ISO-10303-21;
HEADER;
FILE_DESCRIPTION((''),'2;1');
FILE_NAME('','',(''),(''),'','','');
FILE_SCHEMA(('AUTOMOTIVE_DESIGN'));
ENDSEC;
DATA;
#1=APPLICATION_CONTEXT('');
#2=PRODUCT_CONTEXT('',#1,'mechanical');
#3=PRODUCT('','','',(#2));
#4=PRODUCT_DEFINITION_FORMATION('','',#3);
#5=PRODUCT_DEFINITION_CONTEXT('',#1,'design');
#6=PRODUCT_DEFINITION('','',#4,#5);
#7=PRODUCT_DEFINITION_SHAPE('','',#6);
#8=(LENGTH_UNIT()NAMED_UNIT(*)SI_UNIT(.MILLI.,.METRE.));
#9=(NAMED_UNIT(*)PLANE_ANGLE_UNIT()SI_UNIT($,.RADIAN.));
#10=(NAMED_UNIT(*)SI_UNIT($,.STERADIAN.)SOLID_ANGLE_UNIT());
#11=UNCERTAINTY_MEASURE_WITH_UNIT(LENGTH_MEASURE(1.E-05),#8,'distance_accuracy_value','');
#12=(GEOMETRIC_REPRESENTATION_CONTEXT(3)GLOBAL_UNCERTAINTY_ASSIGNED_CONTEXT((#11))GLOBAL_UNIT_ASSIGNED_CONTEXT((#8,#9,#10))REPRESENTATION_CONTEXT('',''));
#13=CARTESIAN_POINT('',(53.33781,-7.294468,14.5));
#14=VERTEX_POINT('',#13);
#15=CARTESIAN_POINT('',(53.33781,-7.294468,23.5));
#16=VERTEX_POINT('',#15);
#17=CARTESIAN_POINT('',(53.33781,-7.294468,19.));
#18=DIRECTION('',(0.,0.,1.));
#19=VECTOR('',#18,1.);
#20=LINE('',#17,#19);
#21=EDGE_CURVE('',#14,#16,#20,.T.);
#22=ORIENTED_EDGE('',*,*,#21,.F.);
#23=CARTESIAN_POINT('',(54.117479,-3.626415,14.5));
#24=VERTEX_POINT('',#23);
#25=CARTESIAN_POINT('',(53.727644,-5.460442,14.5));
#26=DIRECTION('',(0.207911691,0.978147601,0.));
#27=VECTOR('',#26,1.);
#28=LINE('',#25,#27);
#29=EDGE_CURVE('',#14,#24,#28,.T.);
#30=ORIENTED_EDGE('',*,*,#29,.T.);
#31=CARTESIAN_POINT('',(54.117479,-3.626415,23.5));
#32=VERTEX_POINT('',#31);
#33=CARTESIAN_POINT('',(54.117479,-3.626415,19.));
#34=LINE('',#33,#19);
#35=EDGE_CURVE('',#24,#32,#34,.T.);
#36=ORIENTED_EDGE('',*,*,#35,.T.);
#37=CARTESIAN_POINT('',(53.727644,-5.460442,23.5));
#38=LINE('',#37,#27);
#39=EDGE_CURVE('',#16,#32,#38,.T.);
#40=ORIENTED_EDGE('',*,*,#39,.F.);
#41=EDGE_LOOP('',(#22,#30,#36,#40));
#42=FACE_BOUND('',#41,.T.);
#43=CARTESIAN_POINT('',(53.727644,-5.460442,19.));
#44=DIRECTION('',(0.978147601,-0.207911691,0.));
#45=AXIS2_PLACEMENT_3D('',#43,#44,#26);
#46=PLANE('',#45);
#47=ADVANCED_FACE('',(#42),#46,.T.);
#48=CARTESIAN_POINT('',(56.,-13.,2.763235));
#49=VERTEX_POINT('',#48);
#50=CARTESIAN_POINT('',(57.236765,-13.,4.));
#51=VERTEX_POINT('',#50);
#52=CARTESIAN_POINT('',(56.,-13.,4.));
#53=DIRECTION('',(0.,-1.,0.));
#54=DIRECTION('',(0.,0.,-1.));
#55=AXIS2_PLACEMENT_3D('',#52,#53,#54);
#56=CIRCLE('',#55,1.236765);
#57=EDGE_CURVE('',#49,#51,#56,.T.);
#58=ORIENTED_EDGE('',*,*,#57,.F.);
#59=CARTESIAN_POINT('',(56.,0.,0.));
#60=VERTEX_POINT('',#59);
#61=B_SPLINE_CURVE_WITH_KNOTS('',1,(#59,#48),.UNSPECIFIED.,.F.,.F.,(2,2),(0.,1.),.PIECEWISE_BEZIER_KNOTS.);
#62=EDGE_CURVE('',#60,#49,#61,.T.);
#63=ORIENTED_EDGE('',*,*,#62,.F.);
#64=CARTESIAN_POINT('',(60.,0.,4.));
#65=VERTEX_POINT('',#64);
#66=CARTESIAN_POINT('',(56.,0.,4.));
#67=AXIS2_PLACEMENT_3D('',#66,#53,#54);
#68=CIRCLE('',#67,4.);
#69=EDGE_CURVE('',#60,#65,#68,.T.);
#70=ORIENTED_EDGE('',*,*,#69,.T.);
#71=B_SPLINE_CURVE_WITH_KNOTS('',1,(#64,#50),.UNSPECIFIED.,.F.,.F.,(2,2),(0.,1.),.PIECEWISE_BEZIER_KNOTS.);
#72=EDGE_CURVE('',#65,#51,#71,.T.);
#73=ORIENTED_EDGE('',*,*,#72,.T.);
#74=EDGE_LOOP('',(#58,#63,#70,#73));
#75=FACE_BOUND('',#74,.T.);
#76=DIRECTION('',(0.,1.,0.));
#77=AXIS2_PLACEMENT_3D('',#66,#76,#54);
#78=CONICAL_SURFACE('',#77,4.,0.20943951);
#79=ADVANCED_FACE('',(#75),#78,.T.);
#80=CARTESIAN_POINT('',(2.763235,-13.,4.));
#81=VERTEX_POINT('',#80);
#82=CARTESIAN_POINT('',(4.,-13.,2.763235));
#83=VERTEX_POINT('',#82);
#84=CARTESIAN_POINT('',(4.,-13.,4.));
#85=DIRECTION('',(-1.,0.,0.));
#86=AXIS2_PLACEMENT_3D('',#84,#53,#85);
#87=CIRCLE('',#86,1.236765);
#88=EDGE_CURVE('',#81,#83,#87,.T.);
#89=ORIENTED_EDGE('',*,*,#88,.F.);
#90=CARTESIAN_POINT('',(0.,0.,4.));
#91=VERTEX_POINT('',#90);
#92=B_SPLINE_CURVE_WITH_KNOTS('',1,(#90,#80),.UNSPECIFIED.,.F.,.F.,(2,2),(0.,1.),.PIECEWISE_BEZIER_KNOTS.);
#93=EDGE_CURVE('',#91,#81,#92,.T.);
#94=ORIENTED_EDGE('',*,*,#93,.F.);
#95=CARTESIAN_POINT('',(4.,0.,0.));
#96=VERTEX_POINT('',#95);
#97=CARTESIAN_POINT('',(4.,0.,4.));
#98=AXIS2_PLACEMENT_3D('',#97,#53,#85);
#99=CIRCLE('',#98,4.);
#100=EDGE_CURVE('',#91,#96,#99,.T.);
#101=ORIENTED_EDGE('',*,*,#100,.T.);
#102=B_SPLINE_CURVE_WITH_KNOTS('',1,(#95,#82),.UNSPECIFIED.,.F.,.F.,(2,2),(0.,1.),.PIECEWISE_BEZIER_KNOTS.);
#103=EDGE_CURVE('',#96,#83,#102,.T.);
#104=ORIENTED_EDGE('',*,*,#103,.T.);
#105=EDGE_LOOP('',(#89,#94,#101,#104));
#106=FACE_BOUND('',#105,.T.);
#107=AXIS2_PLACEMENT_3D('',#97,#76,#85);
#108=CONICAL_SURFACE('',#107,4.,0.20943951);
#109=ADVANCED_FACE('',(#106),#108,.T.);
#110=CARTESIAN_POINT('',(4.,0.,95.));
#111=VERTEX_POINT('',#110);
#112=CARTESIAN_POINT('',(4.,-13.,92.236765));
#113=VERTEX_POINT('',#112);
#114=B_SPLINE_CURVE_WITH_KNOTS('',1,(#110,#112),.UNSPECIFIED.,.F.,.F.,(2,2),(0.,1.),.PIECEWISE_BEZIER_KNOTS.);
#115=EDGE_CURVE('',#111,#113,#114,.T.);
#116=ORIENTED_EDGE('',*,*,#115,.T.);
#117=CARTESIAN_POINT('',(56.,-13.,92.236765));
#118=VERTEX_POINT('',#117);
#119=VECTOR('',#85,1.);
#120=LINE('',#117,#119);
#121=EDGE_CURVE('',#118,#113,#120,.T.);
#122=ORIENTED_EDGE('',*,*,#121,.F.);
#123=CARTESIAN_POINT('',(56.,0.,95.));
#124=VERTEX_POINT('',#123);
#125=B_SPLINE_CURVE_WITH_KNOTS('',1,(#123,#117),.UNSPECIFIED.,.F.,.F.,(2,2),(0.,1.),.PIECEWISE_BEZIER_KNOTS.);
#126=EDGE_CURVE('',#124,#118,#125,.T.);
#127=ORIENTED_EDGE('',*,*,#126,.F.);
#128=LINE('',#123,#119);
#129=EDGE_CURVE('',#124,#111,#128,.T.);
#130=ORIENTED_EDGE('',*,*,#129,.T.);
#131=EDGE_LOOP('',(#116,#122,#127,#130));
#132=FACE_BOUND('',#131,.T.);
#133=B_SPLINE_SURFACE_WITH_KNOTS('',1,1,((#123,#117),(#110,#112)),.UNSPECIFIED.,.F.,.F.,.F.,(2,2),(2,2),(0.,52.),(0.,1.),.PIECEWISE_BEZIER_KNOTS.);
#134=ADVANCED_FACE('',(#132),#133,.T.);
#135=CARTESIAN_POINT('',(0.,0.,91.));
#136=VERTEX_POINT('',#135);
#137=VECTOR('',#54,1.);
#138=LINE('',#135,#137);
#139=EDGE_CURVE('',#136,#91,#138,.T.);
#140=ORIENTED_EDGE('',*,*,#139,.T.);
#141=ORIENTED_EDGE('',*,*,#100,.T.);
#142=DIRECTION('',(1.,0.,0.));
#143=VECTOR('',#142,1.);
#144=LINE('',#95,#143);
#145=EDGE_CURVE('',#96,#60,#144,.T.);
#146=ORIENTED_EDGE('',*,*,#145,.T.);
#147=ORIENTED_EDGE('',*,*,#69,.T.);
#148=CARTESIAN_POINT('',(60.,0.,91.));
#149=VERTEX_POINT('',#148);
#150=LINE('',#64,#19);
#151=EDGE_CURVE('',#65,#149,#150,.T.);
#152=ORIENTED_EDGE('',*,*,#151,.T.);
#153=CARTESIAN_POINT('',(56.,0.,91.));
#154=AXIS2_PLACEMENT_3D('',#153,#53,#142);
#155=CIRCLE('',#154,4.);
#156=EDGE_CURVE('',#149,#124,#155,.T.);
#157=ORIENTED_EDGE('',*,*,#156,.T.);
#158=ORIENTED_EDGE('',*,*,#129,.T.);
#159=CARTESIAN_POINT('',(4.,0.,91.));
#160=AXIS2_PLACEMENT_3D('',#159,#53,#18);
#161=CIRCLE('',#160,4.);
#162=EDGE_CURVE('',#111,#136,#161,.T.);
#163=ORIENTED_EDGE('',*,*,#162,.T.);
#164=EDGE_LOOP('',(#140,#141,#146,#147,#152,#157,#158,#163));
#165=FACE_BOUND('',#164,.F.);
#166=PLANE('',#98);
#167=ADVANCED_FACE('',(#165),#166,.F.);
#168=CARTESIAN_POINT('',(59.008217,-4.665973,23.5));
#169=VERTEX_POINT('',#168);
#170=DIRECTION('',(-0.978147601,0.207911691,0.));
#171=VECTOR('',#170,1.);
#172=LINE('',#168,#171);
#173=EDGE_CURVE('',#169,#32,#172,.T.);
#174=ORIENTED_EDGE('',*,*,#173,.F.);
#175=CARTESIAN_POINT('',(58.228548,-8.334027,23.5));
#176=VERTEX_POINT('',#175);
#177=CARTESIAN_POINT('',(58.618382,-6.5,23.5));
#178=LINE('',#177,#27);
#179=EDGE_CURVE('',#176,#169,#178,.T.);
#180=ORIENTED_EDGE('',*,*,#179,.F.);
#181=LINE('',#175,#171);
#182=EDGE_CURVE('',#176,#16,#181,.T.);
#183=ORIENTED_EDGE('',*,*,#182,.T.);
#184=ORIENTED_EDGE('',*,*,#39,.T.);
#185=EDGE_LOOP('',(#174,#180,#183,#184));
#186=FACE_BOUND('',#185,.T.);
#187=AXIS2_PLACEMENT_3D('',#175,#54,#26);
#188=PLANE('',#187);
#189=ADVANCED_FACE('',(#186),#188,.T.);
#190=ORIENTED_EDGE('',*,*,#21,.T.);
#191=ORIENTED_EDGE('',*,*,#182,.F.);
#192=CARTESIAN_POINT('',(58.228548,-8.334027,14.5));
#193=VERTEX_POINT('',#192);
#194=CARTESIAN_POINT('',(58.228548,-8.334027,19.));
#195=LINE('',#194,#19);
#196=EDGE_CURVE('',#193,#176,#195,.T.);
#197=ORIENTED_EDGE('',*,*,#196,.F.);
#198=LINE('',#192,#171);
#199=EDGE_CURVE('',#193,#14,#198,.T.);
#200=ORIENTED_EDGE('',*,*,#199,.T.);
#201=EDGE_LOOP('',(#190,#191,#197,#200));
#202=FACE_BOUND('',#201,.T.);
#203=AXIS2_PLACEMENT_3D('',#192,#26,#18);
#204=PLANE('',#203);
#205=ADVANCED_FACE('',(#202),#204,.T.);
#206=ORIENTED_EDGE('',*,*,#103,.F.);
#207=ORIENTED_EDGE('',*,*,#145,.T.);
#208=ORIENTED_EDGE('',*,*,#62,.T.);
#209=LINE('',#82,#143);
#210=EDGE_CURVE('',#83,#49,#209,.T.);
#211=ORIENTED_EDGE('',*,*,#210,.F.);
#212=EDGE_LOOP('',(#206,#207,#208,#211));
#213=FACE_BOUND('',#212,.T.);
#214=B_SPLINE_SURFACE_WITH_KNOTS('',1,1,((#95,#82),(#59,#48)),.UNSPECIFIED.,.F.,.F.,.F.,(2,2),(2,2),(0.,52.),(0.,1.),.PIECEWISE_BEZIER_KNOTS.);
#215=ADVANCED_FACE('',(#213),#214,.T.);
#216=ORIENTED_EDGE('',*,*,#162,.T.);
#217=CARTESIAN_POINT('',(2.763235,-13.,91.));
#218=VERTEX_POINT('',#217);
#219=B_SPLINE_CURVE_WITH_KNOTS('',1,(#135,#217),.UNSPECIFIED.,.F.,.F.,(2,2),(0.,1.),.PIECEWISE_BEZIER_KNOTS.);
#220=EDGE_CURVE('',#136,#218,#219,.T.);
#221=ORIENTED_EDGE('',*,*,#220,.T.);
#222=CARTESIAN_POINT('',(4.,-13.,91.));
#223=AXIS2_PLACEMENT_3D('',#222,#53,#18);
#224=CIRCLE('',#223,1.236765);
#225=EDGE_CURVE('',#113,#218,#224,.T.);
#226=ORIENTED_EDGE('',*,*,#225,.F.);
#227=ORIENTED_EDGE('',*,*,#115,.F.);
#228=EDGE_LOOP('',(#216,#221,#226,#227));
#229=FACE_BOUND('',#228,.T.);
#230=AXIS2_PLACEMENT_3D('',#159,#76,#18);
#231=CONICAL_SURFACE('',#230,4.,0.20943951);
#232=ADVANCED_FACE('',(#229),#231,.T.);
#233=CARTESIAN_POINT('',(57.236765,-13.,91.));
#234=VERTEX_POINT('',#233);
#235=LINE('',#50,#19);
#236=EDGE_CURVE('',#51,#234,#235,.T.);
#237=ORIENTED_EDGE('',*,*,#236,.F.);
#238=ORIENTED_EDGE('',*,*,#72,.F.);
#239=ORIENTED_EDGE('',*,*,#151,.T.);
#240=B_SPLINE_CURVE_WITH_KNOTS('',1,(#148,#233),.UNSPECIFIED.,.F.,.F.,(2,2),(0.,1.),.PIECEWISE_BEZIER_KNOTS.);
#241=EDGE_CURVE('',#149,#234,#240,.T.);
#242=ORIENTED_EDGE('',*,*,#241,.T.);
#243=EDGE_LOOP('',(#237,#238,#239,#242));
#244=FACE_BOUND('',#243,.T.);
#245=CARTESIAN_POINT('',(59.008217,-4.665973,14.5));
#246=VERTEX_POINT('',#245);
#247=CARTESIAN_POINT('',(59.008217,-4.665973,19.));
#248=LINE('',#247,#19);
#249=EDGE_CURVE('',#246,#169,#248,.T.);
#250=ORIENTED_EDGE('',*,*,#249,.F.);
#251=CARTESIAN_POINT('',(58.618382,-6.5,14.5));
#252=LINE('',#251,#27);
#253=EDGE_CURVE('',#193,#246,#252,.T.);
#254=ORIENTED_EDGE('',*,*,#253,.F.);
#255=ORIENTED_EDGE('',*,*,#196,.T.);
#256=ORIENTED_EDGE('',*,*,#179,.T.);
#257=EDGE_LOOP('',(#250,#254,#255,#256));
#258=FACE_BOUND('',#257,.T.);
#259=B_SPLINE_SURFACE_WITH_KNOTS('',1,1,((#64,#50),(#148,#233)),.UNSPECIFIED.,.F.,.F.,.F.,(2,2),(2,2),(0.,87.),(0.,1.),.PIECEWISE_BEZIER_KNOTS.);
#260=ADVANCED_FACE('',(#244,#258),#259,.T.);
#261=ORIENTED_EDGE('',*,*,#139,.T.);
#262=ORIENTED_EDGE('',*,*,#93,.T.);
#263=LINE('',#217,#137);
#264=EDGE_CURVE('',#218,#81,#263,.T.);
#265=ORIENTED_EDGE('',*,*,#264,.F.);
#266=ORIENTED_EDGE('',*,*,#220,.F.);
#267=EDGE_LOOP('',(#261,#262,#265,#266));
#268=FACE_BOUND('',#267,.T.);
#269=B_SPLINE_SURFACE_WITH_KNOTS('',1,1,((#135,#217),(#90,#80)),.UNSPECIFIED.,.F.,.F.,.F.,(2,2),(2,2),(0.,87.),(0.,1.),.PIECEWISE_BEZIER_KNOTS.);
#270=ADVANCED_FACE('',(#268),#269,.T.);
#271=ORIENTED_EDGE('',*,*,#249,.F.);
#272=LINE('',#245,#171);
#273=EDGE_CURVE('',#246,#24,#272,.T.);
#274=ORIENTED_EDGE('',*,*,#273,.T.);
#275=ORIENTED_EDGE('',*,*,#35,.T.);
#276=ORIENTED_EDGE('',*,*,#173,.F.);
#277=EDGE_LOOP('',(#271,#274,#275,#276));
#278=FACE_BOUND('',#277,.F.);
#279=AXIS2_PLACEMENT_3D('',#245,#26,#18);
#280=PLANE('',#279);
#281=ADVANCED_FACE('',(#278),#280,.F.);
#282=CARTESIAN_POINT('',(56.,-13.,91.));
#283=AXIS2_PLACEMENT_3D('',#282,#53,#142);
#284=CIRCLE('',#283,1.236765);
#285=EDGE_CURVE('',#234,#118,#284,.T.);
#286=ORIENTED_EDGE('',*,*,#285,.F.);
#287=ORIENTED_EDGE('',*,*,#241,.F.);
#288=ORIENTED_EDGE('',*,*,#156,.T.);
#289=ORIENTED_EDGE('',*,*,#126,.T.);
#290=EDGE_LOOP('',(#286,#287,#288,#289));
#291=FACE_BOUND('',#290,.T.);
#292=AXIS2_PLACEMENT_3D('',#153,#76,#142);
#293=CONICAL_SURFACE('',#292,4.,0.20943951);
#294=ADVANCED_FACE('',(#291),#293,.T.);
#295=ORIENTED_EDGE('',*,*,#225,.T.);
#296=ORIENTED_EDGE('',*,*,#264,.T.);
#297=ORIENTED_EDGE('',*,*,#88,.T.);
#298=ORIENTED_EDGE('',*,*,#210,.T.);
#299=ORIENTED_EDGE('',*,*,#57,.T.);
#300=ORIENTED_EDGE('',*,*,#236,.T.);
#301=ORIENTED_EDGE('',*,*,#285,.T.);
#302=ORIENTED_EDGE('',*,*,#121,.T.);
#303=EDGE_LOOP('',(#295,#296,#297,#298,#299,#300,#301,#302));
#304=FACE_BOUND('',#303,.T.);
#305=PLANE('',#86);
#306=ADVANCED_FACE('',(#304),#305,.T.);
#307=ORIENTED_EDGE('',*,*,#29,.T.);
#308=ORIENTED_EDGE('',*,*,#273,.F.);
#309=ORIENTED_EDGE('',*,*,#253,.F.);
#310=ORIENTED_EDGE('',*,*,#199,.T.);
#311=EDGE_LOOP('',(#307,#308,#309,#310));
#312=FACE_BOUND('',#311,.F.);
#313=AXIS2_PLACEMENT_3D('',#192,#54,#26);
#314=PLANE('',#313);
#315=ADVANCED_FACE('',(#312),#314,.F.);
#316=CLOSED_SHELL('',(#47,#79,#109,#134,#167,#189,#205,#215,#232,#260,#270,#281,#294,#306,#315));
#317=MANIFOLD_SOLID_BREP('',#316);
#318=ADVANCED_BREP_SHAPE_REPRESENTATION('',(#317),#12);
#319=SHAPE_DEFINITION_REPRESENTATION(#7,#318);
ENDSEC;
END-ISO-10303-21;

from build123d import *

# Parameters (mm, degrees)
F3_DEPTH = 13
F3_TAPER = 12
F1_W     = 3.75
F1_H     = 9
F2_DEPTH = 5


with BuildPart() as f3:
    # F0 (on Front) → F3 (new body)
    with BuildSketch(Plane.XZ):
        with BuildLine():
            ThreePointArc((0, 4), (1.1715728753, 1.1715728753), (4, 0))
            Line((4, 0), (56, 0))
            ThreePointArc((56, 0), (58.8284271247, 1.1715728753), (60, 4))
            Line((60, 4), (60, 91))
            ThreePointArc((60, 91), (58.8284271247, 93.8284271247), (56, 95))
            Line((56, 95), (4, 95))
            ThreePointArc((4, 95), (1.1715728753, 93.8284271247), (0, 91))
            Line((0, 91), (0, 4))
        make_face()
    extrude(amount=F3_DEPTH, taper=F3_TAPER)

    # F1 (on face) → F2 (cut)
    with BuildSketch(Plane(origin=(57.4063637293, -12.2020992923, 0), x_dir=(0.2079116908, 0.9781476007, 0), z_dir=(0.9781476007, -0.2079116908, 0))):
        with Locations((5.8294875824, 19)):
            Rectangle(F1_W, F1_H)
    extrude(amount=-F2_DEPTH, mode=Mode.SUBTRACT)


solid = f3.part
